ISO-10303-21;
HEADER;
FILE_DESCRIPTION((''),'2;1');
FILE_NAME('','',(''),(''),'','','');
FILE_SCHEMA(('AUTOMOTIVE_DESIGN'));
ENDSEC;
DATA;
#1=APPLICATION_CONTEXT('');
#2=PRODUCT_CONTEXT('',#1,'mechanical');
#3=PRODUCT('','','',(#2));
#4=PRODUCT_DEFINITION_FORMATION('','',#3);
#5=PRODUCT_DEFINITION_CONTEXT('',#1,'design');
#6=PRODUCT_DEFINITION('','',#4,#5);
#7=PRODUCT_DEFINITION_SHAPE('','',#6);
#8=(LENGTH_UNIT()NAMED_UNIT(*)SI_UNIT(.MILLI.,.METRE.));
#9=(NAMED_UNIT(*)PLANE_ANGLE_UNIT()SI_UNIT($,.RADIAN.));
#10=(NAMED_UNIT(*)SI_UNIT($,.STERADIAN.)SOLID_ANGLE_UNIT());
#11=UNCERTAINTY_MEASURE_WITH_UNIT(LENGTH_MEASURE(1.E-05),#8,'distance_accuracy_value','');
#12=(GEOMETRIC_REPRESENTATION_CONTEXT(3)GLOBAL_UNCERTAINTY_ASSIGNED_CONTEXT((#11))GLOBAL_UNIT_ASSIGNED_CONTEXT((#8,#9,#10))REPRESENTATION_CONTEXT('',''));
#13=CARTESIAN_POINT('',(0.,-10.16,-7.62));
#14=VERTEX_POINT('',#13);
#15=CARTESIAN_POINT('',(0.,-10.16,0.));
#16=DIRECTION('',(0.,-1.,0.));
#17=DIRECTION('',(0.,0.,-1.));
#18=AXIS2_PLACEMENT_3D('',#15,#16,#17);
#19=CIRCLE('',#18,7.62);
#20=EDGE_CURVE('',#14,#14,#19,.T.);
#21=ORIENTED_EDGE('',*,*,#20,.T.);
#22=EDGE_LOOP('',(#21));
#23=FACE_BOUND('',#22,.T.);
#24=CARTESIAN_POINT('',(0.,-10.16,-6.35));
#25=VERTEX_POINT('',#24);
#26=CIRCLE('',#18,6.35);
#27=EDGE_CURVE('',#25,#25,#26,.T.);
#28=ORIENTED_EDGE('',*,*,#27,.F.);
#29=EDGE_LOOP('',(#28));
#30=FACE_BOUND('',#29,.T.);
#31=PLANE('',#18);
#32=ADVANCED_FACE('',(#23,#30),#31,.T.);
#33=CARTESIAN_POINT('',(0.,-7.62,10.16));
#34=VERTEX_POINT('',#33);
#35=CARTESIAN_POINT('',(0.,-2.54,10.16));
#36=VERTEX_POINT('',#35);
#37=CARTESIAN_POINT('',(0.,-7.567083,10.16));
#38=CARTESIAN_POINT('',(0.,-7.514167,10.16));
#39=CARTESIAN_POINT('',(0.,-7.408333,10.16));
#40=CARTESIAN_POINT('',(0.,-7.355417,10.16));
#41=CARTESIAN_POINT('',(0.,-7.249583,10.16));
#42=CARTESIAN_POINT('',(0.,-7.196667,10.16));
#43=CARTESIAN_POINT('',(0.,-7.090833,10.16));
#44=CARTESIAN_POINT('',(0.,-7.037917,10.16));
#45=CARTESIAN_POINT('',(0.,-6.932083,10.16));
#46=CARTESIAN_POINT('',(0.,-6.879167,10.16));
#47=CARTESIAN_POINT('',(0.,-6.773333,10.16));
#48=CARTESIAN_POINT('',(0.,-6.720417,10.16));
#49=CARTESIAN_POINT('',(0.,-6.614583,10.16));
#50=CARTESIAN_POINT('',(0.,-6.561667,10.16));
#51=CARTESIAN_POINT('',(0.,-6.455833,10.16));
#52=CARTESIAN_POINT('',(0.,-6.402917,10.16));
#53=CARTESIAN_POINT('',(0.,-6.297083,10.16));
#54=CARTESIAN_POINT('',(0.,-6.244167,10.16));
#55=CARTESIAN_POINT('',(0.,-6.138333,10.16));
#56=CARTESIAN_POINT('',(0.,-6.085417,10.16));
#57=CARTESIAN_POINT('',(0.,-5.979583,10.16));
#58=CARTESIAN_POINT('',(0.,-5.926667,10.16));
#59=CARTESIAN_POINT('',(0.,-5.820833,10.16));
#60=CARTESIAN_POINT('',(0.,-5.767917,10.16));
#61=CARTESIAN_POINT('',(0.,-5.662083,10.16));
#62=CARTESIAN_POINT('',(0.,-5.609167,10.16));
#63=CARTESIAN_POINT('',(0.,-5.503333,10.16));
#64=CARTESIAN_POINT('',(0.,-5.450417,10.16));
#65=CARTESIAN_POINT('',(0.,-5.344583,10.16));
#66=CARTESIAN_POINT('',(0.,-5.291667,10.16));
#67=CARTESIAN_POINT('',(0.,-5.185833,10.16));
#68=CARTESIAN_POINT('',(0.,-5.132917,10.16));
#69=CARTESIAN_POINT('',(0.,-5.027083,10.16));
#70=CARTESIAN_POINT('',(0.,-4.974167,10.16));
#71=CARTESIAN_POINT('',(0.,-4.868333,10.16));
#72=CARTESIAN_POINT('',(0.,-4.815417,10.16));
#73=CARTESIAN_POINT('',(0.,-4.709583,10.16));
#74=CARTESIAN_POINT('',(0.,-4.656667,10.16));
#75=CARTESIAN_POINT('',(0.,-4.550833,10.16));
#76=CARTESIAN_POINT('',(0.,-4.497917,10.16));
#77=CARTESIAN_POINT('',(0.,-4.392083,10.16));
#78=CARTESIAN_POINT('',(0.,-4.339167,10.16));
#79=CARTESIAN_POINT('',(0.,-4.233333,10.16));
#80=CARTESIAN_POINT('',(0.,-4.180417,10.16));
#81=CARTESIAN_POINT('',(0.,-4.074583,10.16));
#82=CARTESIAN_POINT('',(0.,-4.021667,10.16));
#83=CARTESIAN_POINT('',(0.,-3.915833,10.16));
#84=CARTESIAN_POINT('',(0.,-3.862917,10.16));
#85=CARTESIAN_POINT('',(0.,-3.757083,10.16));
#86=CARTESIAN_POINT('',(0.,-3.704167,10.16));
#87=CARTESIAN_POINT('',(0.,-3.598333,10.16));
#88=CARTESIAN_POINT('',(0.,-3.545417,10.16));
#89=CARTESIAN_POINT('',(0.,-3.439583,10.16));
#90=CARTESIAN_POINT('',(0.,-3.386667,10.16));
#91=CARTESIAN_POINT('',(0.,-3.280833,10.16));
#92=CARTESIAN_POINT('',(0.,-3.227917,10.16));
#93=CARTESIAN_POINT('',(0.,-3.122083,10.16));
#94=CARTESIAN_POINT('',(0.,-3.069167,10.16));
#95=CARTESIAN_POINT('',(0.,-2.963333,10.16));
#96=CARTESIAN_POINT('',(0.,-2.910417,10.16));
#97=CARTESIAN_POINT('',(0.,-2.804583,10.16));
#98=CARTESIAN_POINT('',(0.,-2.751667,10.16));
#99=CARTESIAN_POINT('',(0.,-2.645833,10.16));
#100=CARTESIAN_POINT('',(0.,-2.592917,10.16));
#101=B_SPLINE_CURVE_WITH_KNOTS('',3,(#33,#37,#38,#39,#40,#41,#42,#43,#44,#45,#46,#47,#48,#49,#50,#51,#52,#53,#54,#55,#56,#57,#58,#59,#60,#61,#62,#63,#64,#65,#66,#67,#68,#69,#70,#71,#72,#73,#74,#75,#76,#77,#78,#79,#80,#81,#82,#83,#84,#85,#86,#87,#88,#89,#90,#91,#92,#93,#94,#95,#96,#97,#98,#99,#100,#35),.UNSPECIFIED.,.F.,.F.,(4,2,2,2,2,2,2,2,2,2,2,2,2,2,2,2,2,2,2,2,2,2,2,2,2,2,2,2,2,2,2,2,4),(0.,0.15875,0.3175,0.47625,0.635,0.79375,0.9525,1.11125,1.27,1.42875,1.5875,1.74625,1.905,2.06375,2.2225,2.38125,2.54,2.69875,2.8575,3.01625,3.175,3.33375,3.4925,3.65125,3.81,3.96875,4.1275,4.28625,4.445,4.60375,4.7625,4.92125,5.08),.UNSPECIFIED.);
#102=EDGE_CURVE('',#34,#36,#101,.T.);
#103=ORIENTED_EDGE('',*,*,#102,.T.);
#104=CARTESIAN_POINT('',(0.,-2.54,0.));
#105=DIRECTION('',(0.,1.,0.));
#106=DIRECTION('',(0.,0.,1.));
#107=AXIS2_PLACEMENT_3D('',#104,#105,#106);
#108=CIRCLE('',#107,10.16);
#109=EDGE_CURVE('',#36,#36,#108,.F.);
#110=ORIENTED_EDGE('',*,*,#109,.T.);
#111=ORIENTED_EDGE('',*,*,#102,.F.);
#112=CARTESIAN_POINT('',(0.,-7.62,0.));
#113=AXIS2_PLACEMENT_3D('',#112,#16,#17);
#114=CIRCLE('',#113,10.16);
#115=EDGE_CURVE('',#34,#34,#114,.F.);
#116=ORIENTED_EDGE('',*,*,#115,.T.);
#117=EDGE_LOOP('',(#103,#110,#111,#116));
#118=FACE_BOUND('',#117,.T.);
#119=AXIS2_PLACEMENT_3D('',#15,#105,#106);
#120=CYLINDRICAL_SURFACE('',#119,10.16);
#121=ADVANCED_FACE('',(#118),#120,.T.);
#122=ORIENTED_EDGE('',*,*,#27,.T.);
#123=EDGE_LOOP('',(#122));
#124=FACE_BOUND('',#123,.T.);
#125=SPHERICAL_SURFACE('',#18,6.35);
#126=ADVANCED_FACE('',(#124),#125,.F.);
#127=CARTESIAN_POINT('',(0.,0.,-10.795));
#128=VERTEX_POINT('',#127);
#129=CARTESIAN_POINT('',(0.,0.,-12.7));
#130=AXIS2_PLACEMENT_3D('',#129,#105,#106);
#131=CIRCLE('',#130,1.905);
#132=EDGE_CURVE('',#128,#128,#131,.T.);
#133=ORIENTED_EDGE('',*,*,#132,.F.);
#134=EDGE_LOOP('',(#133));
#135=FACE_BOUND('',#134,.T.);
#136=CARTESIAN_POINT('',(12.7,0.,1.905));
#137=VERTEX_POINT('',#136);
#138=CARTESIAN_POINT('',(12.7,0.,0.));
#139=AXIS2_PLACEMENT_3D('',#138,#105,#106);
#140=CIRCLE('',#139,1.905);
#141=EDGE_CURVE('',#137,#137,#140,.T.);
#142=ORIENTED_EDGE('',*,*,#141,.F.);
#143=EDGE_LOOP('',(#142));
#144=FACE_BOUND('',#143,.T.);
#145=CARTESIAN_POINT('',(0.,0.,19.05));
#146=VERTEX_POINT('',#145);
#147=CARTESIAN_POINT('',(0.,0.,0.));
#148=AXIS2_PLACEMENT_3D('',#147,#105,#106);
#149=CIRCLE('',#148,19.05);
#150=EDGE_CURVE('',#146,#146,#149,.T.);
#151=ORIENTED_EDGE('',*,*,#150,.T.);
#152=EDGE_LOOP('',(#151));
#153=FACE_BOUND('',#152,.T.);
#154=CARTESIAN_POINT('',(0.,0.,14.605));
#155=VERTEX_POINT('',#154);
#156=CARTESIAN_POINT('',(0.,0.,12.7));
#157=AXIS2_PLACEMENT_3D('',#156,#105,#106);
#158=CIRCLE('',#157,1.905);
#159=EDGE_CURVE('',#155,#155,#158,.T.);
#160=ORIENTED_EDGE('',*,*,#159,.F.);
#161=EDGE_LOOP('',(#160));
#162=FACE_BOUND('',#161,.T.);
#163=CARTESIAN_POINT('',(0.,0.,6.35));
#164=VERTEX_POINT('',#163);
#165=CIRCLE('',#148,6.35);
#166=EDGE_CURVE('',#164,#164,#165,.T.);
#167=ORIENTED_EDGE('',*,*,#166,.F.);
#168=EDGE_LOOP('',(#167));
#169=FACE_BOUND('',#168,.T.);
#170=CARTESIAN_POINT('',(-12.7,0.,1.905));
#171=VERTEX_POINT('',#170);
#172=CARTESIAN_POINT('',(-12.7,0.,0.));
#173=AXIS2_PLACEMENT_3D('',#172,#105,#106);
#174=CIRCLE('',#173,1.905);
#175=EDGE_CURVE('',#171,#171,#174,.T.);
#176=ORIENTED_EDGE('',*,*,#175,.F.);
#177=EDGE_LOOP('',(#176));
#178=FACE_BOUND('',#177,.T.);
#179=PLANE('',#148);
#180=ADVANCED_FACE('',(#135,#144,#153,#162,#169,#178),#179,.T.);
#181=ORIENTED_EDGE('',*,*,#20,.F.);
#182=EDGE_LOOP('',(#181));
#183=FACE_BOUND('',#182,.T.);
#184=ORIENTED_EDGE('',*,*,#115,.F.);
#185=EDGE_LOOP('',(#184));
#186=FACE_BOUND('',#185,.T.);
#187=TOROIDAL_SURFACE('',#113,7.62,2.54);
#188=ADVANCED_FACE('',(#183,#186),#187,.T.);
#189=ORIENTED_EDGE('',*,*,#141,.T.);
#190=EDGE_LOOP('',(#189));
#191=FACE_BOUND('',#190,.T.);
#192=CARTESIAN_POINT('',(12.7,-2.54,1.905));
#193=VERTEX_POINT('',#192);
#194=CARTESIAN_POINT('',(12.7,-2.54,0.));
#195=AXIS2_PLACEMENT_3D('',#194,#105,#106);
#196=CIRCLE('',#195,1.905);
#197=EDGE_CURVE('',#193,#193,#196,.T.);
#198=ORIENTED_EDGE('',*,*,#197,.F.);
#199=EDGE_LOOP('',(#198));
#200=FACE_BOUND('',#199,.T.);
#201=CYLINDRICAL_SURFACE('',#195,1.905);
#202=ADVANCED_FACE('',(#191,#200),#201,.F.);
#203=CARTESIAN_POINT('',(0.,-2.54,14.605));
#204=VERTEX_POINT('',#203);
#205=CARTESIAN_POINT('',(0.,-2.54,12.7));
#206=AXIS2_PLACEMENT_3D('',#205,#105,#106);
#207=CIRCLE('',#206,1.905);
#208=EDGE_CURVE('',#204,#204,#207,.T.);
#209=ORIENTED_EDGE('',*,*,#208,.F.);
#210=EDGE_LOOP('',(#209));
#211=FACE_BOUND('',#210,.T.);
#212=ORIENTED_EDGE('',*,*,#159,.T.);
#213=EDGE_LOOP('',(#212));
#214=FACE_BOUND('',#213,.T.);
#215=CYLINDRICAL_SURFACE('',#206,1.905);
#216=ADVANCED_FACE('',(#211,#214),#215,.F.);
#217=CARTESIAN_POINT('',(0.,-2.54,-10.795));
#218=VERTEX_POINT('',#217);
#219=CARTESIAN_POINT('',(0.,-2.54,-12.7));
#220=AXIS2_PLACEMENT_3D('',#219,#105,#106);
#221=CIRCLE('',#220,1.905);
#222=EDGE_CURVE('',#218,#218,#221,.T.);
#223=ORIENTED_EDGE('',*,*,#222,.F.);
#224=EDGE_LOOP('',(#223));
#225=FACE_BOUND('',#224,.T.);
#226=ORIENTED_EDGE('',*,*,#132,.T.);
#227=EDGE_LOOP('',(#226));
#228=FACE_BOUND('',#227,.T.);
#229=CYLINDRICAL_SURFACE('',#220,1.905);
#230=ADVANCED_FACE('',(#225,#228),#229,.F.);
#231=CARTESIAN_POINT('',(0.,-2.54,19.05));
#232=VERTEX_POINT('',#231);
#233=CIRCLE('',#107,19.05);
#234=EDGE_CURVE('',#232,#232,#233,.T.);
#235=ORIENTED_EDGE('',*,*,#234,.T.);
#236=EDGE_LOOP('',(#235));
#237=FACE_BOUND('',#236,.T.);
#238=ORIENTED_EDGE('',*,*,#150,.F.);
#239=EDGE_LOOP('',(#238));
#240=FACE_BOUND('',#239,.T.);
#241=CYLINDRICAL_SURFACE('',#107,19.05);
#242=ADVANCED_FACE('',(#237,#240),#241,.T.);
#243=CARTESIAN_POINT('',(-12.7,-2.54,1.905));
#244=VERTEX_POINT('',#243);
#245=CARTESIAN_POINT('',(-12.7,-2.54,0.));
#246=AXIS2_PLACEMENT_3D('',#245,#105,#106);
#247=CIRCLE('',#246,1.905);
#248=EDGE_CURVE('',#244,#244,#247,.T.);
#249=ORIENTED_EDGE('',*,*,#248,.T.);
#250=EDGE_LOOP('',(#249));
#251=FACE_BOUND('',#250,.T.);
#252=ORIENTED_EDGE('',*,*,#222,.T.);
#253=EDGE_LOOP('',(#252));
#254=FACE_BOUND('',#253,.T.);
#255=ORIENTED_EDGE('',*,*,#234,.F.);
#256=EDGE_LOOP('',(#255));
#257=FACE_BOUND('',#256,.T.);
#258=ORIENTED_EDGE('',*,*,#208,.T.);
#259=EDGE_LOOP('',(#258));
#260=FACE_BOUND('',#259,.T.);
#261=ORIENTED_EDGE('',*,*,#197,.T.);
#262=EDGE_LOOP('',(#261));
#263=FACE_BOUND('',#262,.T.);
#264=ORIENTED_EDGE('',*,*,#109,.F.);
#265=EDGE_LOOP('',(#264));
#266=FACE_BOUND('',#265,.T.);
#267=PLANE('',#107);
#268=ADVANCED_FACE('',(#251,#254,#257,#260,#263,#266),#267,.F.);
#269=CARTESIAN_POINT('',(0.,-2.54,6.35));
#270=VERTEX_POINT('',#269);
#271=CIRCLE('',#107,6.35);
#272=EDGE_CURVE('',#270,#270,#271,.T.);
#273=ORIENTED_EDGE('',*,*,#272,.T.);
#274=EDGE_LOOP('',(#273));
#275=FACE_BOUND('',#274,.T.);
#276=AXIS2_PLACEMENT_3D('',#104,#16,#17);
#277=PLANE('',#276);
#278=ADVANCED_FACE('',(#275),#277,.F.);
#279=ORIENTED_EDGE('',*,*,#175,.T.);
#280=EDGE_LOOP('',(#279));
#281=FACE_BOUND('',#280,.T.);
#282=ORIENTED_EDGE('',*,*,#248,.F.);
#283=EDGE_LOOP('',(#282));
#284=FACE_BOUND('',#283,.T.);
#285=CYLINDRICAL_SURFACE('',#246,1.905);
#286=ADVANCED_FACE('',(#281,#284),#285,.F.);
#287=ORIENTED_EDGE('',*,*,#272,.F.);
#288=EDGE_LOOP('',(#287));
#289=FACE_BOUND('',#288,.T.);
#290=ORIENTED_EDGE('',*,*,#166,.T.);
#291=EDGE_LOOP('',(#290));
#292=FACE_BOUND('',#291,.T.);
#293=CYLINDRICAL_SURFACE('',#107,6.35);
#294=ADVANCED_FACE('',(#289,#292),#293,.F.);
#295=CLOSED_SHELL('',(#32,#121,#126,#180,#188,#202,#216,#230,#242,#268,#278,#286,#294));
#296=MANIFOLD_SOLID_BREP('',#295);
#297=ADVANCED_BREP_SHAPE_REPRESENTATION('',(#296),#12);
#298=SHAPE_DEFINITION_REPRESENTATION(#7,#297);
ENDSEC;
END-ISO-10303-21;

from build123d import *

# Parameters (mm, degrees)
SKETCH2_R           = 19.05
SKETCH2_R_2         = 6.35
SKETCH2_R_3         = 1.905
BOSS_EXTRUDE1_DEPTH = 2.54
SKETCH3_R           = 10.16
BOSS_EXTRUDE2_DEPTH = 7.62
FILLET1_R           = 2.54


with BuildPart() as part:
    # Sketch2 → Boss-Extrude1 (new body)
    with BuildSketch(Plane(origin=(0, 0, 0), x_dir=(1, 0, 0), z_dir=(0, 1, 0))):
        with Locations(Location((0, 0, 0), (0, 0, 270))):
            Circle(SKETCH2_R)
        with Locations(Location((0, 0, 0), (0, 0, 270))):
            Circle(SKETCH2_R_2, mode=Mode.SUBTRACT)
        with Locations(Location((0, 12.7, 0), (0, 0, 270))):
            Circle(SKETCH2_R_3, mode=Mode.SUBTRACT)
        with Locations(Location((12.7, 0, 0), (0, 0, 270))):
            Circle(SKETCH2_R_3, mode=Mode.SUBTRACT)
        with Locations(Location((0, -12.7, 0), (0, 0, 270))):
            Circle(SKETCH2_R_3, mode=Mode.SUBTRACT)
        with Locations(Location((-12.7, 0, 0), (0, 0, 270))):
            Circle(SKETCH2_R_3, mode=Mode.SUBTRACT)
    extrude(amount=-BOSS_EXTRUDE1_DEPTH)

    # Sketch3 → Boss-Extrude2 (add)
    with BuildSketch(Plane.XZ.offset(2.54)):
        with Locations(Location((0, 0, 0), (0, 0, 90))):
            Circle(SKETCH3_R)
    extrude(amount=BOSS_EXTRUDE2_DEPTH)

    # Fillet1
    fillet1_edges = [part.edges().sort_by_distance(p)[0] for p in [
        (0, -10.16, -10.16),
    ]]
    fillet(fillet1_edges, radius=FILLET1_R)


with BuildPart() as body_2:
    # Sketch5 → Revolve1 (revolve)
    with BuildSketch(Plane.XZ.offset(10.16)):
        with BuildLine():
            Line((0, 6.35), (0, -6.35))
            ThreePointArc((0, -6.35), (6.35, 0), (0, 6.35))
        make_face()
    revolve(axis=Axis((0, -10.16, -11.766022755), (0, 0, 1)))


with BuildPart() as part_1:
    add(part.part)

    # Combine1: cut body 2
    add(body_2.part, mode=Mode.SUBTRACT)


solid = part_1.part
